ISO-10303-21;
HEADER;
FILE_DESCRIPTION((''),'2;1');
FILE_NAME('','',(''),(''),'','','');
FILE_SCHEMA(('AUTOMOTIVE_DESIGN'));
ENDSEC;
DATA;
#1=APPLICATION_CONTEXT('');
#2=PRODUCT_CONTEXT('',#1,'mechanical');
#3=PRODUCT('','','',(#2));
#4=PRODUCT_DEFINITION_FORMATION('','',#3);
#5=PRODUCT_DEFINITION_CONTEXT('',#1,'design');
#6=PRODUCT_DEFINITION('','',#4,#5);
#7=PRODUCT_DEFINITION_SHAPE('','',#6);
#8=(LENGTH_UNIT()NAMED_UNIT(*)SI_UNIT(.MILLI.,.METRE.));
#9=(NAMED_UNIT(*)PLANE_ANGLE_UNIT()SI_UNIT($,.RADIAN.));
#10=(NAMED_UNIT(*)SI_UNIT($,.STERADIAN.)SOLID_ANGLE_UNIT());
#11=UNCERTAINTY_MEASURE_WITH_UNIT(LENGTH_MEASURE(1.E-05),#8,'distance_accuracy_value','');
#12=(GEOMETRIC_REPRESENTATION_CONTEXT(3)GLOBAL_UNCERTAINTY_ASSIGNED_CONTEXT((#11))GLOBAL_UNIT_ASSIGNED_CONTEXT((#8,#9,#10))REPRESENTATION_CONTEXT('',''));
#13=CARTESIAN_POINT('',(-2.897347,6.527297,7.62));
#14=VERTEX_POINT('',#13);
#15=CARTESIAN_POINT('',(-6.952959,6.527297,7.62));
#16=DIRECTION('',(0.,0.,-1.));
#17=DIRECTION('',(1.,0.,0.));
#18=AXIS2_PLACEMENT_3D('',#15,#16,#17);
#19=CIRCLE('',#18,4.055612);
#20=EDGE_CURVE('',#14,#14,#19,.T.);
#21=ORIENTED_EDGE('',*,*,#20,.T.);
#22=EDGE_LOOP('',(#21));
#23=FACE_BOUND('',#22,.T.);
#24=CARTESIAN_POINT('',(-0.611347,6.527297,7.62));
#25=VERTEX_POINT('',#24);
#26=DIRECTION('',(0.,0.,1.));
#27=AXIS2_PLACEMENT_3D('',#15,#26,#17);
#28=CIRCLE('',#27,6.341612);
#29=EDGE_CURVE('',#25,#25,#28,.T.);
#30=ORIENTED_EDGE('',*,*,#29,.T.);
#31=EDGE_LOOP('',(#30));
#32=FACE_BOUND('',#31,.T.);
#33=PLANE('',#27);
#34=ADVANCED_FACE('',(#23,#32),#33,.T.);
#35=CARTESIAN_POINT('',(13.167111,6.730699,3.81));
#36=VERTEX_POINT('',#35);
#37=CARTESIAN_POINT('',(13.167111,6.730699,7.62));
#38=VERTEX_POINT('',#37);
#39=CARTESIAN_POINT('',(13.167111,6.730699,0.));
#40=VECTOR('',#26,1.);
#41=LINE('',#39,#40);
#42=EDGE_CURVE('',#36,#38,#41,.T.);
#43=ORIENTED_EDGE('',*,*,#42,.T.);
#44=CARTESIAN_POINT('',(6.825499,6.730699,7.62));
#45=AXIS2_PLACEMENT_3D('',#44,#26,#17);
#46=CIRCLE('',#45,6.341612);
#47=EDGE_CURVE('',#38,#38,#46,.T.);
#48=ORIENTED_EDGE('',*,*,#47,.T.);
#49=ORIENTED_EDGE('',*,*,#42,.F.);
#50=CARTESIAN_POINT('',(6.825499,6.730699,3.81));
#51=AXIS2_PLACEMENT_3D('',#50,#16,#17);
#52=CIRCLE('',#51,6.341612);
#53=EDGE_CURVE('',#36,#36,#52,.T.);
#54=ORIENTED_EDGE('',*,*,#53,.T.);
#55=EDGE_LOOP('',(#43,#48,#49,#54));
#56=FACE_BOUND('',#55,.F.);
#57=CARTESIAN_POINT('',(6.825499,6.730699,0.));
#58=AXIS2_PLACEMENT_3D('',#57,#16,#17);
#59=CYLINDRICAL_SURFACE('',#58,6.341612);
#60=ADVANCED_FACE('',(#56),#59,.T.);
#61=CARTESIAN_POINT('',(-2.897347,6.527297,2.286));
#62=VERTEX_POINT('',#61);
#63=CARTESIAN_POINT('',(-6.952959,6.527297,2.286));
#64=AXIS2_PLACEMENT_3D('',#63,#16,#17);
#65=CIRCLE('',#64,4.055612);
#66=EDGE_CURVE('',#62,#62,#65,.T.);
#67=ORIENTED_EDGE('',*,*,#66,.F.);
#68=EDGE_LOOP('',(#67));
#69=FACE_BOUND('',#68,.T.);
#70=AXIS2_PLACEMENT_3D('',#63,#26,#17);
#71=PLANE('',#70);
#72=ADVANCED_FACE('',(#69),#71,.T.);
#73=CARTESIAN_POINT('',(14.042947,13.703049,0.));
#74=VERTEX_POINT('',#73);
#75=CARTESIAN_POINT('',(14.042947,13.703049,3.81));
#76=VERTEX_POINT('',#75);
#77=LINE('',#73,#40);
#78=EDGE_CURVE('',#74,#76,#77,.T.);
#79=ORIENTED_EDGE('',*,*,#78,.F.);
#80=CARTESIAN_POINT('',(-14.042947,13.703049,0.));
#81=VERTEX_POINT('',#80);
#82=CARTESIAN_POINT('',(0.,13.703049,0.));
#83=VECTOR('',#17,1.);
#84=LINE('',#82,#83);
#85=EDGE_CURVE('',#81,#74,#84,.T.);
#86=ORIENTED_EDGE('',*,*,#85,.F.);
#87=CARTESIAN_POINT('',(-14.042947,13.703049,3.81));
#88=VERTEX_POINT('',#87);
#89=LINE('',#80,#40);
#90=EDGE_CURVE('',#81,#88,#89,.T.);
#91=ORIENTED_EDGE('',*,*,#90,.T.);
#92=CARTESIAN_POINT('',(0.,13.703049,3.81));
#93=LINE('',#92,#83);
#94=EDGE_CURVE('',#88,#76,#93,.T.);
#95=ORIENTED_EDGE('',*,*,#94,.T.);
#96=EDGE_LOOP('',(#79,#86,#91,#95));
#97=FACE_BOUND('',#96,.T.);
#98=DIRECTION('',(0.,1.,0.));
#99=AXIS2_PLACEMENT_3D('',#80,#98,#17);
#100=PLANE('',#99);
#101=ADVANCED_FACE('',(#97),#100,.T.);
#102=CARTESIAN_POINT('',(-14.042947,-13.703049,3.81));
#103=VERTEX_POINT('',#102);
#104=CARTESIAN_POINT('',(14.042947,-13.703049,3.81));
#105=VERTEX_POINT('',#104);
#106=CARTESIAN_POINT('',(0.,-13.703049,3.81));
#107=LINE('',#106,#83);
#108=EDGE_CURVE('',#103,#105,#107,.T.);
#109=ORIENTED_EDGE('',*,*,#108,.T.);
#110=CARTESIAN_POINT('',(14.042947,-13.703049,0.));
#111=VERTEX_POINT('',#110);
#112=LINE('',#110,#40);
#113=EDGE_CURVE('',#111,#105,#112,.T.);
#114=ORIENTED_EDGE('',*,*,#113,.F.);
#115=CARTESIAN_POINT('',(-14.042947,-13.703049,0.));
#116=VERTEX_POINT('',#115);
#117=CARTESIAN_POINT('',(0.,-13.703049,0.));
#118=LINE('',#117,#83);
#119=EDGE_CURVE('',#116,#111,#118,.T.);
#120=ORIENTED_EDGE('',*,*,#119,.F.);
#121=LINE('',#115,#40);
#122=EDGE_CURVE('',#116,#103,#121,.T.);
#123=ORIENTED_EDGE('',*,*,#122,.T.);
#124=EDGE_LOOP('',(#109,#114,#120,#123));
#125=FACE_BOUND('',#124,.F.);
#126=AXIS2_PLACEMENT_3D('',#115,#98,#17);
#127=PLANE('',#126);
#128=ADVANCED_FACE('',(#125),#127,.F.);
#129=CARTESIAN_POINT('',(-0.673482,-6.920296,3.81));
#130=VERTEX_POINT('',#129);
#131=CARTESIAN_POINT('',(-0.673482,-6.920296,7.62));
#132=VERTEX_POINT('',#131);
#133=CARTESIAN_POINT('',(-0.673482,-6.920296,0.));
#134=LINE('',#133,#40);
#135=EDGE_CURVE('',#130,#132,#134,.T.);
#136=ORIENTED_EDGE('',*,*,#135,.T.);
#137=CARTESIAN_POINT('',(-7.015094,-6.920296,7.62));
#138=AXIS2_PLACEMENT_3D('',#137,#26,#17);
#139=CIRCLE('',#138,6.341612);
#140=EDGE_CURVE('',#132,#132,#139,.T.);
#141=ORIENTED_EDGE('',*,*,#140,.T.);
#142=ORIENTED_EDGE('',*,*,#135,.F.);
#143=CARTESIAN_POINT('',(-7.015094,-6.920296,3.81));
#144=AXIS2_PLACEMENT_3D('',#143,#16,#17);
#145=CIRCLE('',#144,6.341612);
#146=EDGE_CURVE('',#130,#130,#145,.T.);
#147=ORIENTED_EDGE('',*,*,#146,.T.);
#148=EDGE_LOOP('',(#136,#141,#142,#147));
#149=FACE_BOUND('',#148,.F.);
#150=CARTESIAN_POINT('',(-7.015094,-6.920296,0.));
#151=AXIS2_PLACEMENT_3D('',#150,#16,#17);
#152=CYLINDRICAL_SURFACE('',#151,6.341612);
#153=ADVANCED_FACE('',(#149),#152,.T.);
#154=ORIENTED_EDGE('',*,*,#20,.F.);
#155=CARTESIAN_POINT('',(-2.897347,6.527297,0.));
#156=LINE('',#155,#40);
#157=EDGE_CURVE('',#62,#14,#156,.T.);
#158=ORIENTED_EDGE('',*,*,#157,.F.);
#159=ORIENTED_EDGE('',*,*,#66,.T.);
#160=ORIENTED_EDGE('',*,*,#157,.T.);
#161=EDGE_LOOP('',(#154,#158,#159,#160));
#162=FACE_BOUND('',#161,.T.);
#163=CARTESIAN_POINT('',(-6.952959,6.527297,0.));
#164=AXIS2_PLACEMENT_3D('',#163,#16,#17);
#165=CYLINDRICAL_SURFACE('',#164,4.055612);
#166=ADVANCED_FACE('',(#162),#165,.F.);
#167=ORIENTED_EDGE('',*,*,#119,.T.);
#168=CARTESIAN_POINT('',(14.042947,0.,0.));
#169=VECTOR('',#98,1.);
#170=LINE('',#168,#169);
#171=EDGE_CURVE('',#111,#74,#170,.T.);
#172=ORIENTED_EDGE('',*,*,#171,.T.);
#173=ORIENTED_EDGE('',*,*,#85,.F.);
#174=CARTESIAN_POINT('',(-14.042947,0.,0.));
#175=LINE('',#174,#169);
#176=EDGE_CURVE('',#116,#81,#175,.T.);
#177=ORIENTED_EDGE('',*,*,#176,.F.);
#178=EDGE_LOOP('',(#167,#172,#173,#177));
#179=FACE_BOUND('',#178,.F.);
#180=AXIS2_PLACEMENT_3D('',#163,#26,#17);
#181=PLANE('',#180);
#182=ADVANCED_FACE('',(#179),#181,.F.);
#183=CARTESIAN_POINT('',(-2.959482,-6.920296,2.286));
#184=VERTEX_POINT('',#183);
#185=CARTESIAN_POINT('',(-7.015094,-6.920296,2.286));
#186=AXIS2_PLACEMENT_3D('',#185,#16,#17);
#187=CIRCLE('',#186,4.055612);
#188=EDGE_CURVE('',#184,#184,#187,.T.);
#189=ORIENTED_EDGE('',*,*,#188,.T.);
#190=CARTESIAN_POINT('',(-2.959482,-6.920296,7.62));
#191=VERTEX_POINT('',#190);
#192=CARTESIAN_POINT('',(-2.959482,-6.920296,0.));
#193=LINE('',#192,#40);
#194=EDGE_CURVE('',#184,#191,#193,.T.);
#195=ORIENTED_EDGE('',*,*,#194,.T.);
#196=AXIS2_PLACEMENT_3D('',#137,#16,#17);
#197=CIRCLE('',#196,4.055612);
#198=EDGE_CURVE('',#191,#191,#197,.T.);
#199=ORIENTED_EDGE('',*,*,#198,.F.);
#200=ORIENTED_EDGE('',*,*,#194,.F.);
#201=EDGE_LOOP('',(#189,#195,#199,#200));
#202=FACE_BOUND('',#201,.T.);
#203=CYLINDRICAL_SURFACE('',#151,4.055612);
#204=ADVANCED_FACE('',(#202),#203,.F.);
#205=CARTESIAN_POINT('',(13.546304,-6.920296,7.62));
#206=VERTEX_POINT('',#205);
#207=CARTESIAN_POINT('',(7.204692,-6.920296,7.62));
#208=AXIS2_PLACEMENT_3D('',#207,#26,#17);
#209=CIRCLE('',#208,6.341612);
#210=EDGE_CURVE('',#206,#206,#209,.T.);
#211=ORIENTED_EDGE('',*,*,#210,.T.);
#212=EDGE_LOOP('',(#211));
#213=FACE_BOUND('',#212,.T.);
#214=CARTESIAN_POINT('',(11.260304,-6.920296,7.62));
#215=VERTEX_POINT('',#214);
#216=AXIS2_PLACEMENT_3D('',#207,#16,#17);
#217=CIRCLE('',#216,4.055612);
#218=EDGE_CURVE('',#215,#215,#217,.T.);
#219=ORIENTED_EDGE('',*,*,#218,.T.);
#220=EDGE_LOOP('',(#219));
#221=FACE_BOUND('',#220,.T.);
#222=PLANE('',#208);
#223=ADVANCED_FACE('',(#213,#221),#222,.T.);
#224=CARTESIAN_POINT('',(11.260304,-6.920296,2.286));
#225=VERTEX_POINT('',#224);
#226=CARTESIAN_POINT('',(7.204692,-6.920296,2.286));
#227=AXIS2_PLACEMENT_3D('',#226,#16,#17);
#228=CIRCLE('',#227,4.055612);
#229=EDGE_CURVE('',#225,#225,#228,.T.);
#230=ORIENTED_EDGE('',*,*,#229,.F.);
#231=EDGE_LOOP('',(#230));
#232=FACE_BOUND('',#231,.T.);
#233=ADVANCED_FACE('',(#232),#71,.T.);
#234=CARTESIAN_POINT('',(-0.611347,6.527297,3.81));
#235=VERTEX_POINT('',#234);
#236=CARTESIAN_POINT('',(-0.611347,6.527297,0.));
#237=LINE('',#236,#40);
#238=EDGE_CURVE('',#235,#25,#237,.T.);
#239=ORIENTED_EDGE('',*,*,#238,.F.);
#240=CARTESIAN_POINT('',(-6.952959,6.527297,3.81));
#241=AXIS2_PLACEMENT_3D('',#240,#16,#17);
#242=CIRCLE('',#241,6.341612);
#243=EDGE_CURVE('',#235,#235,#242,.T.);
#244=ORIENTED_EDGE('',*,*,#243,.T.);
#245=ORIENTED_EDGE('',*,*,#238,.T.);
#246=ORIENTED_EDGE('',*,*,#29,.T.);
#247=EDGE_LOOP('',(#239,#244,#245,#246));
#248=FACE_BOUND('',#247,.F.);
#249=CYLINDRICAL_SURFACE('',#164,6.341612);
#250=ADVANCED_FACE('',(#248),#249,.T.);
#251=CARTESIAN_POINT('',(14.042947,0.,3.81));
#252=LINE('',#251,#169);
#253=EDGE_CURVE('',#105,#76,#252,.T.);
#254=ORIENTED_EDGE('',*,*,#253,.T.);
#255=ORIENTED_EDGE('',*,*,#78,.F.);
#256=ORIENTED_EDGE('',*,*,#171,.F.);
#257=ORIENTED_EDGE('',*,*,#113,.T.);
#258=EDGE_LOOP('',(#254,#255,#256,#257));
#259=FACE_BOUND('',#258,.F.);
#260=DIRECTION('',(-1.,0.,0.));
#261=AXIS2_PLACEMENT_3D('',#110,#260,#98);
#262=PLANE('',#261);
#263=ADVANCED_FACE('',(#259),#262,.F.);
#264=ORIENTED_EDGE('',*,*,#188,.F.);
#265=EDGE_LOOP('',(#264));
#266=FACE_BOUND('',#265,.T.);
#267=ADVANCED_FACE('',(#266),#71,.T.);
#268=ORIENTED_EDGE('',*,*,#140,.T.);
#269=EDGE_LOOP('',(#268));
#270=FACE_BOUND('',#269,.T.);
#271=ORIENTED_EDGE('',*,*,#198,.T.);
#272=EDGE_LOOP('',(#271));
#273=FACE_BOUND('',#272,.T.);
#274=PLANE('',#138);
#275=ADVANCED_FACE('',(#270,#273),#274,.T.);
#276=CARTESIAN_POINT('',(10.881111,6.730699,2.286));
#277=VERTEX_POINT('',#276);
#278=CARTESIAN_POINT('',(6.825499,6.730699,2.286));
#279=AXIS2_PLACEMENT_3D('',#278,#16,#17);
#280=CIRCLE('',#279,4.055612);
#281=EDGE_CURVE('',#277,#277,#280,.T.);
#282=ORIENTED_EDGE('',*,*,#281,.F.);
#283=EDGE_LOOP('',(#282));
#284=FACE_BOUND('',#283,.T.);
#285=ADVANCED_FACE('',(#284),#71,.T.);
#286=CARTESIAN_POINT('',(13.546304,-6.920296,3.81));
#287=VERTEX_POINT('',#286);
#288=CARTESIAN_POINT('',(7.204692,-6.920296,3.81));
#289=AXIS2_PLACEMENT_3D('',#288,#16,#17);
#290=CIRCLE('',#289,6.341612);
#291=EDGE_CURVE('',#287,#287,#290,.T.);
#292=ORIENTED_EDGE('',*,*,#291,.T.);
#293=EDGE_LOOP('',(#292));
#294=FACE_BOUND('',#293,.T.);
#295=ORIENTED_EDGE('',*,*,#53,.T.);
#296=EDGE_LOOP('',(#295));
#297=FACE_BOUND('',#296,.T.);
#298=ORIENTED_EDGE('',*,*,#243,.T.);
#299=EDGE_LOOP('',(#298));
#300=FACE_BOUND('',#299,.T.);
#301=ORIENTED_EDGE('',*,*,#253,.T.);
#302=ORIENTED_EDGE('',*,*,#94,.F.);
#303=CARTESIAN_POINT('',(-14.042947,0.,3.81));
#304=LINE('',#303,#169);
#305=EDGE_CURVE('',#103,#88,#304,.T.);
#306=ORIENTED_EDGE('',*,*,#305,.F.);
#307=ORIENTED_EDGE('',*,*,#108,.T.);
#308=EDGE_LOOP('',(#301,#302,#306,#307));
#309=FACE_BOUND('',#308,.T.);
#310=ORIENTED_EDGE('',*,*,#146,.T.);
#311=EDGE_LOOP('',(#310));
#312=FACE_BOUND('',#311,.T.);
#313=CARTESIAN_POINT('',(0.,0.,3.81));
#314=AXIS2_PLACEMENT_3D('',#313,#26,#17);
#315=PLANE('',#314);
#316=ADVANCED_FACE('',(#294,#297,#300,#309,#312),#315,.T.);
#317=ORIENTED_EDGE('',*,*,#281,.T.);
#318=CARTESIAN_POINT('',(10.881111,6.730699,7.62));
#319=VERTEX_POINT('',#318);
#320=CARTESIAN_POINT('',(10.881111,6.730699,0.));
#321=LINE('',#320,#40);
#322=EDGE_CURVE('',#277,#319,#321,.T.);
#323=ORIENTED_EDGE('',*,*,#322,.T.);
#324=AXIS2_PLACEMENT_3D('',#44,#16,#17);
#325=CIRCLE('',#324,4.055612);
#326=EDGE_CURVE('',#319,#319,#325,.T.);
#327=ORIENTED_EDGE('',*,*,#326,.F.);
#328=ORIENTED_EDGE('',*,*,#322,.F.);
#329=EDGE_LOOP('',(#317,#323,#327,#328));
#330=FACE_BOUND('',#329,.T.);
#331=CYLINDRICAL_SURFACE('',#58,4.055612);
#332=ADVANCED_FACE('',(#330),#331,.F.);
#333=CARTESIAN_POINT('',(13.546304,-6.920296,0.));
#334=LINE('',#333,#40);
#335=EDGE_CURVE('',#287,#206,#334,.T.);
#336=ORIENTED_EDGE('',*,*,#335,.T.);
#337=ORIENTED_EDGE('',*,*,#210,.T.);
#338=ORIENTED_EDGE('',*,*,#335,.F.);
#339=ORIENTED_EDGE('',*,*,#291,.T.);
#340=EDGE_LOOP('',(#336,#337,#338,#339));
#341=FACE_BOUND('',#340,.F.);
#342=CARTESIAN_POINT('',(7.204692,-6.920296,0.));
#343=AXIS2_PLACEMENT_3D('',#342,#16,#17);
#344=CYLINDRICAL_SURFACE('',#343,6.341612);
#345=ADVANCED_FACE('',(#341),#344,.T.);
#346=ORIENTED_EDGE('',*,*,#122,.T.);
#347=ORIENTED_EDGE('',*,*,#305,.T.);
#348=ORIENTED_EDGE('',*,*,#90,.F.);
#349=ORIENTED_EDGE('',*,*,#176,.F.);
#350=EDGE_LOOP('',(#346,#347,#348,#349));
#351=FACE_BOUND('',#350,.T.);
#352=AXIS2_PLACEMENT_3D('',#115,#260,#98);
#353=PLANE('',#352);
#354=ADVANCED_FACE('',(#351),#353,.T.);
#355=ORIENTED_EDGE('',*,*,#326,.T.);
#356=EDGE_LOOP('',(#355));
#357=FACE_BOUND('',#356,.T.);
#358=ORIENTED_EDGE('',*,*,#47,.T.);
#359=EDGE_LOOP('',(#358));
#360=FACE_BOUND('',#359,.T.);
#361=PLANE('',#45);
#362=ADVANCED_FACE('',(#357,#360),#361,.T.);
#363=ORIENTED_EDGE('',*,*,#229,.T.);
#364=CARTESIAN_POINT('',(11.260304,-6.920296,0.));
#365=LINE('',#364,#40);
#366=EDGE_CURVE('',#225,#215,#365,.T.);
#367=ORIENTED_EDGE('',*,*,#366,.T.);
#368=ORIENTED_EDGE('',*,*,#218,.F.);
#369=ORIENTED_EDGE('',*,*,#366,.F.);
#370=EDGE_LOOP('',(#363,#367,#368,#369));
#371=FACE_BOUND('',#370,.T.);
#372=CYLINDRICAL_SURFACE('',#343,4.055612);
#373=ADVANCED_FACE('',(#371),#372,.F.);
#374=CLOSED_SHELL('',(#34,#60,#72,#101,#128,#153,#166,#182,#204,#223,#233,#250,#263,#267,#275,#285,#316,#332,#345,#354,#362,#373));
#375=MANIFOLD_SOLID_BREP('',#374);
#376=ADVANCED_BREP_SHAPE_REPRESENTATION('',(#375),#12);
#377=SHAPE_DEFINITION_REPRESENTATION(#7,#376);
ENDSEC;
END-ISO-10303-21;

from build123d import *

# Parameters (mm, degrees)
F0_W     = 28.08589302
F0_H     = 27.4060983211
F1_DEPTH = 3.81
F2_R     = 6.3416120596
F3_DEPTH = 7.62
F4_T     = -2.286


with BuildPart() as f1:
    # F0 (on Top) → F1 (new body)
    with BuildSketch(Plane.XY):
        Rectangle(F0_W, F0_H)
    extrude(amount=F1_DEPTH)

    # F2 (on Top) → F3 (join)
    with BuildSketch(Plane.XY):
        with Locations((-6.9529586472, 6.5272971988)):
            Circle(F2_R)
        with Locations((6.8254987709, 6.7306994461)):
            Circle(F2_R)
        with Locations((7.2046923451, -6.9202962331)):
            Circle(F2_R)
        with Locations((-7.015094161, -6.9202962331)):
            Circle(F2_R)
    extrude(amount=F3_DEPTH)

    # F4
    f4_openings = [f1.faces().sort_by_distance(p)[0] for p in [
        (-6.952959, 6.527297, 7.62),
        (-7.015094, -6.920296, 7.62),
        (7.204692, -6.920296, 7.62),
        (6.825499, 6.730699, 7.62),
    ]]
    offset(amount=F4_T, openings=f4_openings, kind=Kind.INTERSECTION)


solid = f1.part
